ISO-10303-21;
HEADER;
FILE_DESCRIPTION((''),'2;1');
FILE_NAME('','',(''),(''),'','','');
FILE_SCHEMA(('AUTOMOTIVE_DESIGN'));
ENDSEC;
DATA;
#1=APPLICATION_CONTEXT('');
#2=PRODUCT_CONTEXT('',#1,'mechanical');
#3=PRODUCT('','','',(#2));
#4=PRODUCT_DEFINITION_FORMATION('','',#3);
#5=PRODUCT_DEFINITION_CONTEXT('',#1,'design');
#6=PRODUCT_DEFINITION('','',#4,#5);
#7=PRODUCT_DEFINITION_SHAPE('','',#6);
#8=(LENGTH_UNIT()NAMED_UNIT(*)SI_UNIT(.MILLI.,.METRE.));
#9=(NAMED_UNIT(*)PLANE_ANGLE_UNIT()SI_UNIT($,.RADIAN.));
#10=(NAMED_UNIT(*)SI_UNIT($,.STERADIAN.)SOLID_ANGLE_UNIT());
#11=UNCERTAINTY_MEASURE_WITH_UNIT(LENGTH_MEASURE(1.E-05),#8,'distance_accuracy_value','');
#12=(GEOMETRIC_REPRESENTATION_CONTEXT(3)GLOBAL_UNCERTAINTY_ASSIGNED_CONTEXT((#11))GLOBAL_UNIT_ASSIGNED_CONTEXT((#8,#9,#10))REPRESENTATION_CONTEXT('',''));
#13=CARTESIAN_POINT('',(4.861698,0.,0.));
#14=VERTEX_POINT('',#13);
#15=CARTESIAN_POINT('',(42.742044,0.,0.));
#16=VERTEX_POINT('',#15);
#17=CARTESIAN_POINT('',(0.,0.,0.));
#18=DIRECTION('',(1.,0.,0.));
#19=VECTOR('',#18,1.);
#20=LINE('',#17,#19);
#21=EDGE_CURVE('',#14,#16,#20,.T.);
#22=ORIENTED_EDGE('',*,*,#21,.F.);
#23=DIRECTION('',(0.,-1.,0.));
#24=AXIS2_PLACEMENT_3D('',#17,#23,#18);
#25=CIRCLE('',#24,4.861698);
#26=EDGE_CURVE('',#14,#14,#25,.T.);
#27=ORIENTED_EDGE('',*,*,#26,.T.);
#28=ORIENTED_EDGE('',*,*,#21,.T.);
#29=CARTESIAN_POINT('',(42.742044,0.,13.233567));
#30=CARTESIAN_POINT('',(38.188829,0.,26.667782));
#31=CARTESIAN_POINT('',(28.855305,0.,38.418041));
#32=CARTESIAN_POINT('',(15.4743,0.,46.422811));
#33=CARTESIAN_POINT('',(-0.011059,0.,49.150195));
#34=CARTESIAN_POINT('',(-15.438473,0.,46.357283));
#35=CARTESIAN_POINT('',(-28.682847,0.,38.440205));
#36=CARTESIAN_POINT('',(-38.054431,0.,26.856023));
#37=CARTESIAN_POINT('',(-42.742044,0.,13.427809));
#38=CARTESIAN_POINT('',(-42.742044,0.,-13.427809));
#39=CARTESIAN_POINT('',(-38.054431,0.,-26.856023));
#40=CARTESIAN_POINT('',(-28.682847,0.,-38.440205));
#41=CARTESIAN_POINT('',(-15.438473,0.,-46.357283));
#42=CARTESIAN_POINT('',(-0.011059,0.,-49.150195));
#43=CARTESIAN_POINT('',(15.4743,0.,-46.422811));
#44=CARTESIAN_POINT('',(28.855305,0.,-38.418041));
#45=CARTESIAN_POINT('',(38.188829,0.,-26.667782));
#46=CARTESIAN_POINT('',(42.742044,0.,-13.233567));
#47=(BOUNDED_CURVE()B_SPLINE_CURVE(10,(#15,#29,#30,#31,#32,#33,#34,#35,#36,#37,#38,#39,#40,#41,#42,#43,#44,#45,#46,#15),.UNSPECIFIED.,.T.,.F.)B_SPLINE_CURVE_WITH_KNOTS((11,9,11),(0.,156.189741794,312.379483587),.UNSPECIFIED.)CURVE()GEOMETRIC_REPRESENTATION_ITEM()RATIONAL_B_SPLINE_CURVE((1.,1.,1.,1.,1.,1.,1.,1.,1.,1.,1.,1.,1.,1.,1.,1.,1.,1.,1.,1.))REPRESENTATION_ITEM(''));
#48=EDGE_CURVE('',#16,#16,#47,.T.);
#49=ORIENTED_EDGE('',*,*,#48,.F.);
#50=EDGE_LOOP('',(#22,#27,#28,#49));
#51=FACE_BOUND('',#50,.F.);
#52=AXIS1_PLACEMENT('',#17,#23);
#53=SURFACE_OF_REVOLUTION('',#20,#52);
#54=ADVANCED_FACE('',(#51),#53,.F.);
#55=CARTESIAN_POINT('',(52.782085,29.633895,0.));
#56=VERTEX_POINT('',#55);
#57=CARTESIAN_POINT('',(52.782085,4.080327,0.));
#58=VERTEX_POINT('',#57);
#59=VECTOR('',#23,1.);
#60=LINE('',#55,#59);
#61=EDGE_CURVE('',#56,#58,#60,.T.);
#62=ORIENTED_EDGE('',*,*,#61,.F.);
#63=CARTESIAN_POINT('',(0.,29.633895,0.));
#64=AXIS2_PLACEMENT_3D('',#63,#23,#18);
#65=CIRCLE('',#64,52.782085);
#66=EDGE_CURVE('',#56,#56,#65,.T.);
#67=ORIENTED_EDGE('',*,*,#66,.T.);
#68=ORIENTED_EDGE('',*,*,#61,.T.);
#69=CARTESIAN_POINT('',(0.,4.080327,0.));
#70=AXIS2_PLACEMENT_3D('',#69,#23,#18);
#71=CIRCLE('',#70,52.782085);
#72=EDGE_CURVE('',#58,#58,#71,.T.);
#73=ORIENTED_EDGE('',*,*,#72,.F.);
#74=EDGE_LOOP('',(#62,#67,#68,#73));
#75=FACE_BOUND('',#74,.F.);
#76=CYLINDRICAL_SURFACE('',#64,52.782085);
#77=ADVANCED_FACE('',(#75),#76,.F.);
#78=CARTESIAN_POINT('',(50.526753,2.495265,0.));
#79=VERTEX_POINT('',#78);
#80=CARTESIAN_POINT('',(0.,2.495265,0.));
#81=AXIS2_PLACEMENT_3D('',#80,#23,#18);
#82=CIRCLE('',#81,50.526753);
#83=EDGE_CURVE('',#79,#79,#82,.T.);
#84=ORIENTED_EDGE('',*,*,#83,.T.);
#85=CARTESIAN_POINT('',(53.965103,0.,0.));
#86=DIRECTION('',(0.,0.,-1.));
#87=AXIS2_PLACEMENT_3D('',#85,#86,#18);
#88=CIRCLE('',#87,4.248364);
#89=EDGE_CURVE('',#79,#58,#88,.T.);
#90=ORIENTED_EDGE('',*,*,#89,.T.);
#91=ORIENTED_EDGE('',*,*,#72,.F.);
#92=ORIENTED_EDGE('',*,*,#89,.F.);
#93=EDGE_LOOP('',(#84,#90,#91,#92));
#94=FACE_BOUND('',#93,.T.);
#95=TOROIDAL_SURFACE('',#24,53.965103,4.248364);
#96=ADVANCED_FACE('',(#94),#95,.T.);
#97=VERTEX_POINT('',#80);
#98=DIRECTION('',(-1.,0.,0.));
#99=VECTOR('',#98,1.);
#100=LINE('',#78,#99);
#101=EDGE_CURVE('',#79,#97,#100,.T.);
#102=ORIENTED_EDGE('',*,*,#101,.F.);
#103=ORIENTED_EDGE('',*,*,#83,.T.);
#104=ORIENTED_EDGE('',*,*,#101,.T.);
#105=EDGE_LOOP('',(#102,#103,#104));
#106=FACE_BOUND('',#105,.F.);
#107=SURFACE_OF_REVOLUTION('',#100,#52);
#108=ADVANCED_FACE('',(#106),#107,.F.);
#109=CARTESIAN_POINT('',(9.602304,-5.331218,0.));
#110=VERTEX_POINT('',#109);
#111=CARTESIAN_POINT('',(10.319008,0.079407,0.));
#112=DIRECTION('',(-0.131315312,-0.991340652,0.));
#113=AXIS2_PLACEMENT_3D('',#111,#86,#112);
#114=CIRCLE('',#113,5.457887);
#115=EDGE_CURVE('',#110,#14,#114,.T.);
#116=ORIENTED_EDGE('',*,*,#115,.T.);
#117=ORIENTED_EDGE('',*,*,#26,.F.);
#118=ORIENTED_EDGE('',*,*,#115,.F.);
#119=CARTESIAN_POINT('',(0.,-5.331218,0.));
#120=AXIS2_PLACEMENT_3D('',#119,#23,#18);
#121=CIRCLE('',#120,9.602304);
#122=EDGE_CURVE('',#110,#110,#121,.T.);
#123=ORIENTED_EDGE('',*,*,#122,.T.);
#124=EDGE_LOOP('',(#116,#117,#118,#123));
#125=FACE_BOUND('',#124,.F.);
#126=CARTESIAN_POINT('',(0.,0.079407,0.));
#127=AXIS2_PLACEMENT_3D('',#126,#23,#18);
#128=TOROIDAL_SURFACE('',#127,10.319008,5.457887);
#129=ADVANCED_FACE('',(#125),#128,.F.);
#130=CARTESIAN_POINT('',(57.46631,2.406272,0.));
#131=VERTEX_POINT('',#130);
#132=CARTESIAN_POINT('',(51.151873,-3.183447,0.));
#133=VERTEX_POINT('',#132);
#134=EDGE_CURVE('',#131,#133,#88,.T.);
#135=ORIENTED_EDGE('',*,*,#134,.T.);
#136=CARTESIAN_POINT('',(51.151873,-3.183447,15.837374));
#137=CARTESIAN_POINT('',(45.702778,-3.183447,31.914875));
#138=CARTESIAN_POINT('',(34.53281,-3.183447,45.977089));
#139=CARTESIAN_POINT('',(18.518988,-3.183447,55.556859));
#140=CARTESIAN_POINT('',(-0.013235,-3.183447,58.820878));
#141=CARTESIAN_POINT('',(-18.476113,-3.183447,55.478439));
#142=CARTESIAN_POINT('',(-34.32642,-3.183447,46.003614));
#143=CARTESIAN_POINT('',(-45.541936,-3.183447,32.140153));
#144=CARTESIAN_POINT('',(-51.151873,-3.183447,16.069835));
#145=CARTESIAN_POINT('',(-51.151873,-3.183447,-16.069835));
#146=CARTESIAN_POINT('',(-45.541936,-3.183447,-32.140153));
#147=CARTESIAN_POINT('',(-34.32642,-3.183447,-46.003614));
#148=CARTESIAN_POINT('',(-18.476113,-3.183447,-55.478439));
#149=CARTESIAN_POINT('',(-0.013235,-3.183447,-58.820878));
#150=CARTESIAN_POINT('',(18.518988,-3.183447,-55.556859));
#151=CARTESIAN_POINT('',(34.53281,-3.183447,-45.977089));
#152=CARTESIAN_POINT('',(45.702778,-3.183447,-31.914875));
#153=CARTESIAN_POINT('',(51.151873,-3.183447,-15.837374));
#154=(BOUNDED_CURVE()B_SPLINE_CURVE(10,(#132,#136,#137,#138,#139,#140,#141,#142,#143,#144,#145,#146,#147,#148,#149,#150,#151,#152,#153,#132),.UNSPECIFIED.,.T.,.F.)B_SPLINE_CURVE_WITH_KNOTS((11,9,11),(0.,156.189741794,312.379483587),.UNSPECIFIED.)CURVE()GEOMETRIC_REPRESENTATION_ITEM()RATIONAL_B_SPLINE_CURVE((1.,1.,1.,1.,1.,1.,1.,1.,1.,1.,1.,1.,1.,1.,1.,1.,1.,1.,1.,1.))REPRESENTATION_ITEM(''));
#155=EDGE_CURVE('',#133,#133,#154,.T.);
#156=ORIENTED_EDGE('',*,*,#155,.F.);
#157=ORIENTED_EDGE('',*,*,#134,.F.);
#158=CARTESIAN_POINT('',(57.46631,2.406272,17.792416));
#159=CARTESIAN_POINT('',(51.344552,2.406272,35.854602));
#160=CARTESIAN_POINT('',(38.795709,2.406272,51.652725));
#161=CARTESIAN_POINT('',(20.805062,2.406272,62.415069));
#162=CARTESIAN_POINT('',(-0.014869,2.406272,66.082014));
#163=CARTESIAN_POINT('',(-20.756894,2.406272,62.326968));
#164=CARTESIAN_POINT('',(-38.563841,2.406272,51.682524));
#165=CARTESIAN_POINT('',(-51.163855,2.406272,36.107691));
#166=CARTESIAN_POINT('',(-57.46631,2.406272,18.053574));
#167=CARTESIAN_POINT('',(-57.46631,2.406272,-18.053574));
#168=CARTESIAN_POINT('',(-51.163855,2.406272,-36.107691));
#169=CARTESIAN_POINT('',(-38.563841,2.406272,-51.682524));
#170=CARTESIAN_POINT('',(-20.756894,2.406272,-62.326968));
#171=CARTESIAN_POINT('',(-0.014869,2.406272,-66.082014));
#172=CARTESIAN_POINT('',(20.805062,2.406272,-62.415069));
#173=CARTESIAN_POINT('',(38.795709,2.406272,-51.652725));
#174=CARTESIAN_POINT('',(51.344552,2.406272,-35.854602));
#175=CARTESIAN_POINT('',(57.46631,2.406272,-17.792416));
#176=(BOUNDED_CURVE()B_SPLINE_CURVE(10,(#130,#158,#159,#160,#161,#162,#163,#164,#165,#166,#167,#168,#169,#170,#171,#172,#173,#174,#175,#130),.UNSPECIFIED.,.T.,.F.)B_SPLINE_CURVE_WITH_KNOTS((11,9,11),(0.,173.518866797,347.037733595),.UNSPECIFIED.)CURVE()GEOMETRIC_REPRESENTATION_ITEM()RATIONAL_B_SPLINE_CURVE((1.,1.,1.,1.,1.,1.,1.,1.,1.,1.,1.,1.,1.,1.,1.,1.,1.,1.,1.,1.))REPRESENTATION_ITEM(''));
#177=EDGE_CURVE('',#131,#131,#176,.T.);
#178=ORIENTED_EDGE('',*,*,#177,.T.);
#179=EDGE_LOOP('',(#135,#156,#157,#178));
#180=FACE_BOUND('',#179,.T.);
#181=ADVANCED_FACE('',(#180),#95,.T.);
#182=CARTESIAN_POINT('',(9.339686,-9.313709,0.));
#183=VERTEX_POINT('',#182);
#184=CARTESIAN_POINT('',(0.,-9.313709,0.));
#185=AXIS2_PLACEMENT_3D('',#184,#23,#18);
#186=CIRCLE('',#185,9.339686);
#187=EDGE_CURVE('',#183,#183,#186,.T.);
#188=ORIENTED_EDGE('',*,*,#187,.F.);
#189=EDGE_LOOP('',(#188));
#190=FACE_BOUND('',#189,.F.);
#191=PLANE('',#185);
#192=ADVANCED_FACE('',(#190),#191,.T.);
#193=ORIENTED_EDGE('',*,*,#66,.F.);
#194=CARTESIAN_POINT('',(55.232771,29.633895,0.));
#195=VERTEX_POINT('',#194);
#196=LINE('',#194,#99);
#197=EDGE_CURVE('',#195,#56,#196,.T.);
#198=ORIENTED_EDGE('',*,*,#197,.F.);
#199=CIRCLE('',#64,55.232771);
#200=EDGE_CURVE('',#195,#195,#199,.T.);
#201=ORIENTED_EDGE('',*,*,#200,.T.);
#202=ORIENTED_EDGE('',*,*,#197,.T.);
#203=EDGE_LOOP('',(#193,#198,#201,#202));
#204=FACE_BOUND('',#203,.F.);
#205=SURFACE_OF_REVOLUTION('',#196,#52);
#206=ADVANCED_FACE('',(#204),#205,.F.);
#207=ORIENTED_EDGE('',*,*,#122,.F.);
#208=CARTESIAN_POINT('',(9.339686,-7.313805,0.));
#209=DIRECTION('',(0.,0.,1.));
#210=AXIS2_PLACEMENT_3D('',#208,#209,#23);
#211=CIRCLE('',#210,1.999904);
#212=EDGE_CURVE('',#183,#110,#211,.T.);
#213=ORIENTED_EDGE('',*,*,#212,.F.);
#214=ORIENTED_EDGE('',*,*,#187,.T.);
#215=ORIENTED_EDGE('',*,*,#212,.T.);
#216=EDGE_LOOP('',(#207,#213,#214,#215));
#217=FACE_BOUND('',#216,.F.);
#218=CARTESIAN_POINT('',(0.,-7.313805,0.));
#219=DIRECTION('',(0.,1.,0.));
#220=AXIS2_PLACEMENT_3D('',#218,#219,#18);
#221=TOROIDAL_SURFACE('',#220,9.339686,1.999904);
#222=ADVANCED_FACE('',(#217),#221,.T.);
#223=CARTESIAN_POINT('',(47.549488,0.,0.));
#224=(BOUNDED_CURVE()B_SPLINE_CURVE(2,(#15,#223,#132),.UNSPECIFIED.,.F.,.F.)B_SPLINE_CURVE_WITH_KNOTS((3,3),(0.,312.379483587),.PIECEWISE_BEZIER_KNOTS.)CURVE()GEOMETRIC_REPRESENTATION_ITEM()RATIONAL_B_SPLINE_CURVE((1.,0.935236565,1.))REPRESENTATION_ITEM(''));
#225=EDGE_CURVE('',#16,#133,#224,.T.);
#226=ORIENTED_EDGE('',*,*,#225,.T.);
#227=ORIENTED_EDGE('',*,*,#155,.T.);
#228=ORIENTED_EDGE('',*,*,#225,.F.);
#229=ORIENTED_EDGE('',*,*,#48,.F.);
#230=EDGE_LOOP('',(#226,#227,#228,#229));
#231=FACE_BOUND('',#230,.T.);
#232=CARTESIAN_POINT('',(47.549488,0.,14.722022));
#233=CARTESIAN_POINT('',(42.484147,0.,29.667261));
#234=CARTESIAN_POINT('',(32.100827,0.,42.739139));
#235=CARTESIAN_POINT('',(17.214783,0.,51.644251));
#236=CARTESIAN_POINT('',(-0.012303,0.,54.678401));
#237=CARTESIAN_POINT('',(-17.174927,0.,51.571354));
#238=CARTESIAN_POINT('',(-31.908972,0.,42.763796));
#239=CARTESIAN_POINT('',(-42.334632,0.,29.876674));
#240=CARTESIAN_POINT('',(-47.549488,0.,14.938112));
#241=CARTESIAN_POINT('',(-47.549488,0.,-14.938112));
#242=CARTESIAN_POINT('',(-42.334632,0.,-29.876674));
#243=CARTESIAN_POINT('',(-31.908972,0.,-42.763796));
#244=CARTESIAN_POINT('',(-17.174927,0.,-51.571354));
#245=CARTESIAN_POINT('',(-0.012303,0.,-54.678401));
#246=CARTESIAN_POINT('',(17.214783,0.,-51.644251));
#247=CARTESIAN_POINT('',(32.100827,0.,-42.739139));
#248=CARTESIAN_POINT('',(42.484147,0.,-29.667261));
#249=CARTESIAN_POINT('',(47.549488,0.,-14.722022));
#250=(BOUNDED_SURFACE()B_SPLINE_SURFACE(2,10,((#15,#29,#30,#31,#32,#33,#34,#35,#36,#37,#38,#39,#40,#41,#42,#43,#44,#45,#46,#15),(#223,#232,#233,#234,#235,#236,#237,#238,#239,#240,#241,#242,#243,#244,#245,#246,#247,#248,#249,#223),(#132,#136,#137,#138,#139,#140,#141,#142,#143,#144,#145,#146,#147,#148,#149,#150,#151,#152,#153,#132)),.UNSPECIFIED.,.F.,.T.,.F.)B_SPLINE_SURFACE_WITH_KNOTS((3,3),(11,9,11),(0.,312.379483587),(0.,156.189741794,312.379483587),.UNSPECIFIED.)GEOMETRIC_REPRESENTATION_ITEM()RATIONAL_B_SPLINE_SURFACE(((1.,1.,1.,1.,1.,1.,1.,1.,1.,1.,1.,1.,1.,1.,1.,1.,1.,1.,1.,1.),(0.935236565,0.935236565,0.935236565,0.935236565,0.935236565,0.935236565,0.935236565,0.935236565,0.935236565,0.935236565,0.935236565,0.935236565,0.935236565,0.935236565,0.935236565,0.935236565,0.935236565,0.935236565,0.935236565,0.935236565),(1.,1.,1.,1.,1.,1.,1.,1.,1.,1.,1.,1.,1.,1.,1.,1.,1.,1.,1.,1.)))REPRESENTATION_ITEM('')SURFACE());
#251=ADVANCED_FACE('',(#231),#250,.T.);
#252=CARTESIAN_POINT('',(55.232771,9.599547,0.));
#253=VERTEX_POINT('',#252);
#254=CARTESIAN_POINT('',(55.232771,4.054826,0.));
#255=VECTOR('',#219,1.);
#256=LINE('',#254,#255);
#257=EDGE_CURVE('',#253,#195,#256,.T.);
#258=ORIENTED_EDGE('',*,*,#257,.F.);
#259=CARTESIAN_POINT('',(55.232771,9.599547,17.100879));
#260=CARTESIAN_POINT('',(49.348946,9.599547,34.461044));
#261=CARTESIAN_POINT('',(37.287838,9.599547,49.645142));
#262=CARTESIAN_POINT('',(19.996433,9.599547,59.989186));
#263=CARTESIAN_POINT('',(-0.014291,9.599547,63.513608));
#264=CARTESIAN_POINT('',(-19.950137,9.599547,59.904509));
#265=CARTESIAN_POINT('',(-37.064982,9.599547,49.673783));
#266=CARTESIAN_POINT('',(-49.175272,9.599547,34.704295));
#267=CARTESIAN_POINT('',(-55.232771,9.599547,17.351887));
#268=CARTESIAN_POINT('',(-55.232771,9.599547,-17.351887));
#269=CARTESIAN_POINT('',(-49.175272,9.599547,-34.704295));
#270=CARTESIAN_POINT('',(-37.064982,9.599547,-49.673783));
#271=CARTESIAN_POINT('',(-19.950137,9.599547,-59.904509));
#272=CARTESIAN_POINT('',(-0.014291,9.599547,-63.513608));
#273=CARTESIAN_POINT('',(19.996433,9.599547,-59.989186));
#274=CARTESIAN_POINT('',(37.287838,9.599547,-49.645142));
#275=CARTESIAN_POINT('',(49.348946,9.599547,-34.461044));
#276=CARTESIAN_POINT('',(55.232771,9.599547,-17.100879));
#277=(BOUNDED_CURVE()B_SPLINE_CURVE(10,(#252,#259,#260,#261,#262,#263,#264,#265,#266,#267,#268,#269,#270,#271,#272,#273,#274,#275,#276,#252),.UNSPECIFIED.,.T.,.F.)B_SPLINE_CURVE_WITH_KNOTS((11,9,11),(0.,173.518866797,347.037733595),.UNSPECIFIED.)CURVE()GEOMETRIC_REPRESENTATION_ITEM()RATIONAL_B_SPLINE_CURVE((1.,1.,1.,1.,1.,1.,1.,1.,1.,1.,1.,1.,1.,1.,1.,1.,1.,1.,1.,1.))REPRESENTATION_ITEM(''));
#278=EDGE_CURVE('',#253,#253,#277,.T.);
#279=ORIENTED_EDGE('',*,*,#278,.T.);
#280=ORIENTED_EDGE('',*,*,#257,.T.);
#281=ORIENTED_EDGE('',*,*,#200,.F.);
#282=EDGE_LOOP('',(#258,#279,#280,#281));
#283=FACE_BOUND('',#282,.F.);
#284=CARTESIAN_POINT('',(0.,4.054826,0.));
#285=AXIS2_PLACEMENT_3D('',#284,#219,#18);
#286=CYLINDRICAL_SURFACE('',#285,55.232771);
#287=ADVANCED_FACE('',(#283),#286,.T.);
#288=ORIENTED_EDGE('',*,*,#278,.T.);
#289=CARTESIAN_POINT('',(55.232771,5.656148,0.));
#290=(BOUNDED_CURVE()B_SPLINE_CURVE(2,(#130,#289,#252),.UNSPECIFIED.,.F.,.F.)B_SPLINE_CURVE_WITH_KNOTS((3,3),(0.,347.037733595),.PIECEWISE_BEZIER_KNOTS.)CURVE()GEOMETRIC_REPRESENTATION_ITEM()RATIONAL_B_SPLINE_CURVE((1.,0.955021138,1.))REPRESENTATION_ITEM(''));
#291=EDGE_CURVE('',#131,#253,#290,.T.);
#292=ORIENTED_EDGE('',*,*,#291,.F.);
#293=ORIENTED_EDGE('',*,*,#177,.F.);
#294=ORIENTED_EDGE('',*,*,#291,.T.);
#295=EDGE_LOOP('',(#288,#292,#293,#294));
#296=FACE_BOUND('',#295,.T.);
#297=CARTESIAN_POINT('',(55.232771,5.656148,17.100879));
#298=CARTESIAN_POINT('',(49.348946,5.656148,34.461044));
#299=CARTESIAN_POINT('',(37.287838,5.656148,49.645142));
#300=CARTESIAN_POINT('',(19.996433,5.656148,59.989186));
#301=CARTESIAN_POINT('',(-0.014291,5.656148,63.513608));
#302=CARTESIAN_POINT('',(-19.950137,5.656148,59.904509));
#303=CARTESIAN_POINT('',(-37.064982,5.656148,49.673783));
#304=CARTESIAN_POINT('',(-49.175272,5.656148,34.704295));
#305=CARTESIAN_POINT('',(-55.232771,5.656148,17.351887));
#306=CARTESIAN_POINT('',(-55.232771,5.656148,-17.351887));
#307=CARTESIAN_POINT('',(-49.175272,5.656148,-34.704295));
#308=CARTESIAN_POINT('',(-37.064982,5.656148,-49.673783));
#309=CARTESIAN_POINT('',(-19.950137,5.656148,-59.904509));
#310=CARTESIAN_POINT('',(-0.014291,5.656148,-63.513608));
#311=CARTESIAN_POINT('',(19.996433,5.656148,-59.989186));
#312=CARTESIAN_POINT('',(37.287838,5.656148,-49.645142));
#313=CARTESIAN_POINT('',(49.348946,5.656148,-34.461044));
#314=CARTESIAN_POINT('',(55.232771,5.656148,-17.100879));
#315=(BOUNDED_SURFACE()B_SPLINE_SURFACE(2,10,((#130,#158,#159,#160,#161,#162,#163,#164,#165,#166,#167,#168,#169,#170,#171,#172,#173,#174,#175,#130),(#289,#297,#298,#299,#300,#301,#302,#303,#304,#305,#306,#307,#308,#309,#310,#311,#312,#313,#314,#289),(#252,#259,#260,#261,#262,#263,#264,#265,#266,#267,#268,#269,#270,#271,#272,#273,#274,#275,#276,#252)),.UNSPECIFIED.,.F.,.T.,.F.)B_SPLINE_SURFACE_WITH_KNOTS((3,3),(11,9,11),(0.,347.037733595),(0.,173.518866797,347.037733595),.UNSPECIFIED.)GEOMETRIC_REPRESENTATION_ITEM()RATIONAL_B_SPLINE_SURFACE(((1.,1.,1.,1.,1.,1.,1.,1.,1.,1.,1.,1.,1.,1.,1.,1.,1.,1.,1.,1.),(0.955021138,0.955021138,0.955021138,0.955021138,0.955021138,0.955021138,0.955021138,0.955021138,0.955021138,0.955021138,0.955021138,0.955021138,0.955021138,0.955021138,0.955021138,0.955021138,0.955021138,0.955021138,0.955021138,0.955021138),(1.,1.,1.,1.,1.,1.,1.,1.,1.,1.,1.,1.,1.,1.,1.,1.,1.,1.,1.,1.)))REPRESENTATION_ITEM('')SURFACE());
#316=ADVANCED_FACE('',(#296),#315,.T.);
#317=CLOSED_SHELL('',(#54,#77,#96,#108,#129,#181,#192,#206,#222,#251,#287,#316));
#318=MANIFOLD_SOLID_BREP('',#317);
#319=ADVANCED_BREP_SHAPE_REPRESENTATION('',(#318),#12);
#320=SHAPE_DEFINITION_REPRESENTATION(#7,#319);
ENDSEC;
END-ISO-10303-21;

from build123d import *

# Parameters (mm, degrees)
F3_R = 12.7


with BuildPart() as f2:
    # F2: sweep along a path in F0
    with BuildLine(Plane.XZ) as f2_path:
        CenterArc((0, 0), 54.8218146476, 0, 360)
    # F1 (on Top) → F2 (sweep)
    with BuildSketch(Plane.XY):
        with BuildLine():
            Line((52.7820847929, 29.6338945627), (52.7820847929, 4.0803265109))
            ThreePointArc((52.7820847929, 4.0803265109), (51.5222837032, 3.4758064814), (50.5267530332, 2.4952648267))
            Line((50.5267530332, 2.4952648267), (0, 2.4952648267))
            Line((0, 2.4952648267), (0, 0))
            Line((0, 0), (49.7167389334, 0))
            ThreePointArc((49.7167389334, 0), (56.481358214, -3.4230184535), (55.232770741, 4.0548260666))
            Line((55.232770741, 4.0548260666), (55.232770741, 29.6338945627))
            Line((55.232770741, 29.6338945627), (52.7820847929, 29.6338945627))
        make_face()
    sweep(path=f2_path.line)

    # F3
    f3_edges = [f2.edges().sort_by_distance(p)[0] for p in [
        (-49.716739, 0, 0),
        (-55.232771, 4.054826, 0),
    ]]
    fillet(f3_edges, radius=F3_R)

    # F4 (on Top) → F5 (revolve)
    with BuildSketch(Plane.XY):
        with BuildLine():
            ThreePointArc((9.6023036167, -5.3312182426), (6.240394951, -3.5473612375), (4.8616984859, 0))
            Line((4.8616984859, 0), (0, 0))
            Line((0, 0), (0, -9.3137091026))
            Line((0, -9.3137091026), (9.3396855518, -9.3137091026))
            ThreePointArc((9.3396855518, -9.3137091026), (11.3352557521, -7.4453989605), (9.6023036167, -5.3312182426))
        make_face()
    revolve(axis=Axis((0, -4.6568545513, 0), (0, -1, 0)))


solid = f2.part
